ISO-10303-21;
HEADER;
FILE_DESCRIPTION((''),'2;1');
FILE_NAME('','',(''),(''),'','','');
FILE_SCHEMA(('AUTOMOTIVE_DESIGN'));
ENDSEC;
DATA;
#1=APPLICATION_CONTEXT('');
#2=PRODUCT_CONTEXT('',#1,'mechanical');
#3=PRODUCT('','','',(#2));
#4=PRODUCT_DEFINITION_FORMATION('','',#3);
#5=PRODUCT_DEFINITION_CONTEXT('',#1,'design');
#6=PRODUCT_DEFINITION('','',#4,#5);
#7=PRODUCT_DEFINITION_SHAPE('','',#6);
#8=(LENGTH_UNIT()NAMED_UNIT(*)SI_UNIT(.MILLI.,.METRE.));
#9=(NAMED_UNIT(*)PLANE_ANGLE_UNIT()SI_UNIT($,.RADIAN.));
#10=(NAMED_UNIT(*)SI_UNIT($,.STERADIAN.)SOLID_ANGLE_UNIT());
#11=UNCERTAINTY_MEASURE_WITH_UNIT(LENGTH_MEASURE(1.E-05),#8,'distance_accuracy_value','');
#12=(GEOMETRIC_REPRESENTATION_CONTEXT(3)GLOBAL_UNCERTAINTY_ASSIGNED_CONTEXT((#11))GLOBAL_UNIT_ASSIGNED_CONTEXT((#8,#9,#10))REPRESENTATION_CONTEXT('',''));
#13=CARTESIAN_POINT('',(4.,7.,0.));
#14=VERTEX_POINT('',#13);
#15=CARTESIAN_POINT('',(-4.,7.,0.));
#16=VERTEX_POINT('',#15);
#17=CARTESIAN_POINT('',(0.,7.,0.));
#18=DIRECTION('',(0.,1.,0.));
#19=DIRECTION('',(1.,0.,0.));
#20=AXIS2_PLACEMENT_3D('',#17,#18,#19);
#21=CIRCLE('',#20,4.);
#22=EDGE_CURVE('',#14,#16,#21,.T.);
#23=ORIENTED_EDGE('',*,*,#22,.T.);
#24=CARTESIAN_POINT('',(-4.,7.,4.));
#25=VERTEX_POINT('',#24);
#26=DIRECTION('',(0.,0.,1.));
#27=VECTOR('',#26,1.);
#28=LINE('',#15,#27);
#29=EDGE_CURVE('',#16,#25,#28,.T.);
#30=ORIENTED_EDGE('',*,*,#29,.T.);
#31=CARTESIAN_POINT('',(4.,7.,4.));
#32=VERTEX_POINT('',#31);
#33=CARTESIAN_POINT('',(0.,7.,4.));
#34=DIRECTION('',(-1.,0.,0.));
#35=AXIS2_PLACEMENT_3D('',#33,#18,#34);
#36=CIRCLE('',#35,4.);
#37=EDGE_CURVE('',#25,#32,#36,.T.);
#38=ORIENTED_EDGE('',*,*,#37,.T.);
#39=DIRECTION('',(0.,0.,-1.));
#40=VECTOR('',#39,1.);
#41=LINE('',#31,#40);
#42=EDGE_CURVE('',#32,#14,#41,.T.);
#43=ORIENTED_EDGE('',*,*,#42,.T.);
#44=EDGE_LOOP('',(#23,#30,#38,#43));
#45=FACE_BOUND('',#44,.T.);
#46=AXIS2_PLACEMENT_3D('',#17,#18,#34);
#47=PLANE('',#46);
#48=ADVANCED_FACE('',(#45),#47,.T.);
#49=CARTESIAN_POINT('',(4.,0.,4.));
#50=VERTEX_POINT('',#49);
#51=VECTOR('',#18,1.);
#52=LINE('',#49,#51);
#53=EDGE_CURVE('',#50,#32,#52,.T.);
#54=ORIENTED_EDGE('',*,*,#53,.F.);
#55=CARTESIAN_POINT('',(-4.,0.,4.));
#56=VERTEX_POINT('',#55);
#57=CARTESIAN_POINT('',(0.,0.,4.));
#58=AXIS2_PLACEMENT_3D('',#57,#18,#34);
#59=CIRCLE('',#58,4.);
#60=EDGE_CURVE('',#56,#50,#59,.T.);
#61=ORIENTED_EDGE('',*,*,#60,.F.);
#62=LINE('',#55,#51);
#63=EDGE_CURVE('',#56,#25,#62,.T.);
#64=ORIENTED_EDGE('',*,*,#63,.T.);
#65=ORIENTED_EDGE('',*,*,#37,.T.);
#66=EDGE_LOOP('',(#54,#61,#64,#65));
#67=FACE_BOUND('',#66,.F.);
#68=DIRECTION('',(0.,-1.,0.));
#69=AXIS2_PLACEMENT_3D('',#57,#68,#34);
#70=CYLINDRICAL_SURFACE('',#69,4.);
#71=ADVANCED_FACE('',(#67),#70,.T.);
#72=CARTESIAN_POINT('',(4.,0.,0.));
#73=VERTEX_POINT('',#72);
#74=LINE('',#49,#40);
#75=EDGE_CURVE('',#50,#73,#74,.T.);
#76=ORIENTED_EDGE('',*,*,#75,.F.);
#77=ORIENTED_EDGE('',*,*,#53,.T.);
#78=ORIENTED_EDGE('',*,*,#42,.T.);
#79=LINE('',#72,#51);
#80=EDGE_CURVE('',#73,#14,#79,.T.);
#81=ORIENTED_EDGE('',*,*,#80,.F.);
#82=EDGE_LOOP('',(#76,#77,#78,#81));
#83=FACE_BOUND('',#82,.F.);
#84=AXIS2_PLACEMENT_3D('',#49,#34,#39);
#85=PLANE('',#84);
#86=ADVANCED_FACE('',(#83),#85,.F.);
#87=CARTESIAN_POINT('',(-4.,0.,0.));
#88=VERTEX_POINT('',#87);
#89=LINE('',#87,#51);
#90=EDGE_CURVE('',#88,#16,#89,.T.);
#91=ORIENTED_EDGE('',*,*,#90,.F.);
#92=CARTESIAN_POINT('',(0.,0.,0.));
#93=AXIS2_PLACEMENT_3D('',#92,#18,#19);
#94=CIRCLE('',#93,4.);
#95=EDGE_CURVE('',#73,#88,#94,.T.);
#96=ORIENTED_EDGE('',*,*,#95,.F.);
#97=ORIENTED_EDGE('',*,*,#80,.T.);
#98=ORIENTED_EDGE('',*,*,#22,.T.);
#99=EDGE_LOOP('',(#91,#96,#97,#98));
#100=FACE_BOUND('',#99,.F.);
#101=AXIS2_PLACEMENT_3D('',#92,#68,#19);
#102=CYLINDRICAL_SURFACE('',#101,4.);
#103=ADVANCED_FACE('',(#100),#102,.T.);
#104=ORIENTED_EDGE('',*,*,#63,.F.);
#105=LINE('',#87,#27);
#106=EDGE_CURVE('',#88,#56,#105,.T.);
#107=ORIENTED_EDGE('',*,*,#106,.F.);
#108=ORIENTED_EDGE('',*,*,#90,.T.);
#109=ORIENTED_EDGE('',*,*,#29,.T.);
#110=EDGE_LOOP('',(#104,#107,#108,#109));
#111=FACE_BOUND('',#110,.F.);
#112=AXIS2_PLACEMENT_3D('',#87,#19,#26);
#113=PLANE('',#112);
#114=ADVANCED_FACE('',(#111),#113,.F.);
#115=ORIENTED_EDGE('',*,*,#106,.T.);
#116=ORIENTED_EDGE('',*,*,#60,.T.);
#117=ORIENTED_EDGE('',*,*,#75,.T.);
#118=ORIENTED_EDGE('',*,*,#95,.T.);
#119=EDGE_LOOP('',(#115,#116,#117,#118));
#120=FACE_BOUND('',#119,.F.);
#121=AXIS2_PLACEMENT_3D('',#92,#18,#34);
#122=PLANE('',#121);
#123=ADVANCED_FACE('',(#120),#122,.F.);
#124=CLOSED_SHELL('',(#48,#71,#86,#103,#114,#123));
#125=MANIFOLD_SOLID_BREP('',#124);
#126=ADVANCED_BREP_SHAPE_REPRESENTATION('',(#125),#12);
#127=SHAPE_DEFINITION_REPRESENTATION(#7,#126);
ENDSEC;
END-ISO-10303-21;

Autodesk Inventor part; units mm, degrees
ref_plane "YZ Plane" through (0, 0, 0) normal (1, 0, 0) x (0, 1, 0)
ref_plane "XZ Plane" through (0, 0, 0) normal (0, 1, 0) x (-1, 0, 0)
ref_plane "XY Plane" through (0, 0, 0) normal (0, 0, 1) x (1, 0, 0)
sketch "Sketch1" plane through (0, 0, 0) normal (0, 1, 0) x (-1, 0, 0)
  line L0 (0, 0) -> (0, 4) construction
  line L1 (4, 0) -> (4, 4)
  line L2 (-4, 4) -> (-4, 0)
  arc A0 (-4, 0) -> (4, 0) centre (0, 0) ccw
  arc A1 (4, 4) -> (-4, 4) centre (0, 4) ccw
  point P0 (0, 2)
  dimension "d0" = 8
  dimension "d1" = 4
extrude "Extrusion1" add sketch "Sketch1" along normal blind 7
properties part number "45-01-002"
